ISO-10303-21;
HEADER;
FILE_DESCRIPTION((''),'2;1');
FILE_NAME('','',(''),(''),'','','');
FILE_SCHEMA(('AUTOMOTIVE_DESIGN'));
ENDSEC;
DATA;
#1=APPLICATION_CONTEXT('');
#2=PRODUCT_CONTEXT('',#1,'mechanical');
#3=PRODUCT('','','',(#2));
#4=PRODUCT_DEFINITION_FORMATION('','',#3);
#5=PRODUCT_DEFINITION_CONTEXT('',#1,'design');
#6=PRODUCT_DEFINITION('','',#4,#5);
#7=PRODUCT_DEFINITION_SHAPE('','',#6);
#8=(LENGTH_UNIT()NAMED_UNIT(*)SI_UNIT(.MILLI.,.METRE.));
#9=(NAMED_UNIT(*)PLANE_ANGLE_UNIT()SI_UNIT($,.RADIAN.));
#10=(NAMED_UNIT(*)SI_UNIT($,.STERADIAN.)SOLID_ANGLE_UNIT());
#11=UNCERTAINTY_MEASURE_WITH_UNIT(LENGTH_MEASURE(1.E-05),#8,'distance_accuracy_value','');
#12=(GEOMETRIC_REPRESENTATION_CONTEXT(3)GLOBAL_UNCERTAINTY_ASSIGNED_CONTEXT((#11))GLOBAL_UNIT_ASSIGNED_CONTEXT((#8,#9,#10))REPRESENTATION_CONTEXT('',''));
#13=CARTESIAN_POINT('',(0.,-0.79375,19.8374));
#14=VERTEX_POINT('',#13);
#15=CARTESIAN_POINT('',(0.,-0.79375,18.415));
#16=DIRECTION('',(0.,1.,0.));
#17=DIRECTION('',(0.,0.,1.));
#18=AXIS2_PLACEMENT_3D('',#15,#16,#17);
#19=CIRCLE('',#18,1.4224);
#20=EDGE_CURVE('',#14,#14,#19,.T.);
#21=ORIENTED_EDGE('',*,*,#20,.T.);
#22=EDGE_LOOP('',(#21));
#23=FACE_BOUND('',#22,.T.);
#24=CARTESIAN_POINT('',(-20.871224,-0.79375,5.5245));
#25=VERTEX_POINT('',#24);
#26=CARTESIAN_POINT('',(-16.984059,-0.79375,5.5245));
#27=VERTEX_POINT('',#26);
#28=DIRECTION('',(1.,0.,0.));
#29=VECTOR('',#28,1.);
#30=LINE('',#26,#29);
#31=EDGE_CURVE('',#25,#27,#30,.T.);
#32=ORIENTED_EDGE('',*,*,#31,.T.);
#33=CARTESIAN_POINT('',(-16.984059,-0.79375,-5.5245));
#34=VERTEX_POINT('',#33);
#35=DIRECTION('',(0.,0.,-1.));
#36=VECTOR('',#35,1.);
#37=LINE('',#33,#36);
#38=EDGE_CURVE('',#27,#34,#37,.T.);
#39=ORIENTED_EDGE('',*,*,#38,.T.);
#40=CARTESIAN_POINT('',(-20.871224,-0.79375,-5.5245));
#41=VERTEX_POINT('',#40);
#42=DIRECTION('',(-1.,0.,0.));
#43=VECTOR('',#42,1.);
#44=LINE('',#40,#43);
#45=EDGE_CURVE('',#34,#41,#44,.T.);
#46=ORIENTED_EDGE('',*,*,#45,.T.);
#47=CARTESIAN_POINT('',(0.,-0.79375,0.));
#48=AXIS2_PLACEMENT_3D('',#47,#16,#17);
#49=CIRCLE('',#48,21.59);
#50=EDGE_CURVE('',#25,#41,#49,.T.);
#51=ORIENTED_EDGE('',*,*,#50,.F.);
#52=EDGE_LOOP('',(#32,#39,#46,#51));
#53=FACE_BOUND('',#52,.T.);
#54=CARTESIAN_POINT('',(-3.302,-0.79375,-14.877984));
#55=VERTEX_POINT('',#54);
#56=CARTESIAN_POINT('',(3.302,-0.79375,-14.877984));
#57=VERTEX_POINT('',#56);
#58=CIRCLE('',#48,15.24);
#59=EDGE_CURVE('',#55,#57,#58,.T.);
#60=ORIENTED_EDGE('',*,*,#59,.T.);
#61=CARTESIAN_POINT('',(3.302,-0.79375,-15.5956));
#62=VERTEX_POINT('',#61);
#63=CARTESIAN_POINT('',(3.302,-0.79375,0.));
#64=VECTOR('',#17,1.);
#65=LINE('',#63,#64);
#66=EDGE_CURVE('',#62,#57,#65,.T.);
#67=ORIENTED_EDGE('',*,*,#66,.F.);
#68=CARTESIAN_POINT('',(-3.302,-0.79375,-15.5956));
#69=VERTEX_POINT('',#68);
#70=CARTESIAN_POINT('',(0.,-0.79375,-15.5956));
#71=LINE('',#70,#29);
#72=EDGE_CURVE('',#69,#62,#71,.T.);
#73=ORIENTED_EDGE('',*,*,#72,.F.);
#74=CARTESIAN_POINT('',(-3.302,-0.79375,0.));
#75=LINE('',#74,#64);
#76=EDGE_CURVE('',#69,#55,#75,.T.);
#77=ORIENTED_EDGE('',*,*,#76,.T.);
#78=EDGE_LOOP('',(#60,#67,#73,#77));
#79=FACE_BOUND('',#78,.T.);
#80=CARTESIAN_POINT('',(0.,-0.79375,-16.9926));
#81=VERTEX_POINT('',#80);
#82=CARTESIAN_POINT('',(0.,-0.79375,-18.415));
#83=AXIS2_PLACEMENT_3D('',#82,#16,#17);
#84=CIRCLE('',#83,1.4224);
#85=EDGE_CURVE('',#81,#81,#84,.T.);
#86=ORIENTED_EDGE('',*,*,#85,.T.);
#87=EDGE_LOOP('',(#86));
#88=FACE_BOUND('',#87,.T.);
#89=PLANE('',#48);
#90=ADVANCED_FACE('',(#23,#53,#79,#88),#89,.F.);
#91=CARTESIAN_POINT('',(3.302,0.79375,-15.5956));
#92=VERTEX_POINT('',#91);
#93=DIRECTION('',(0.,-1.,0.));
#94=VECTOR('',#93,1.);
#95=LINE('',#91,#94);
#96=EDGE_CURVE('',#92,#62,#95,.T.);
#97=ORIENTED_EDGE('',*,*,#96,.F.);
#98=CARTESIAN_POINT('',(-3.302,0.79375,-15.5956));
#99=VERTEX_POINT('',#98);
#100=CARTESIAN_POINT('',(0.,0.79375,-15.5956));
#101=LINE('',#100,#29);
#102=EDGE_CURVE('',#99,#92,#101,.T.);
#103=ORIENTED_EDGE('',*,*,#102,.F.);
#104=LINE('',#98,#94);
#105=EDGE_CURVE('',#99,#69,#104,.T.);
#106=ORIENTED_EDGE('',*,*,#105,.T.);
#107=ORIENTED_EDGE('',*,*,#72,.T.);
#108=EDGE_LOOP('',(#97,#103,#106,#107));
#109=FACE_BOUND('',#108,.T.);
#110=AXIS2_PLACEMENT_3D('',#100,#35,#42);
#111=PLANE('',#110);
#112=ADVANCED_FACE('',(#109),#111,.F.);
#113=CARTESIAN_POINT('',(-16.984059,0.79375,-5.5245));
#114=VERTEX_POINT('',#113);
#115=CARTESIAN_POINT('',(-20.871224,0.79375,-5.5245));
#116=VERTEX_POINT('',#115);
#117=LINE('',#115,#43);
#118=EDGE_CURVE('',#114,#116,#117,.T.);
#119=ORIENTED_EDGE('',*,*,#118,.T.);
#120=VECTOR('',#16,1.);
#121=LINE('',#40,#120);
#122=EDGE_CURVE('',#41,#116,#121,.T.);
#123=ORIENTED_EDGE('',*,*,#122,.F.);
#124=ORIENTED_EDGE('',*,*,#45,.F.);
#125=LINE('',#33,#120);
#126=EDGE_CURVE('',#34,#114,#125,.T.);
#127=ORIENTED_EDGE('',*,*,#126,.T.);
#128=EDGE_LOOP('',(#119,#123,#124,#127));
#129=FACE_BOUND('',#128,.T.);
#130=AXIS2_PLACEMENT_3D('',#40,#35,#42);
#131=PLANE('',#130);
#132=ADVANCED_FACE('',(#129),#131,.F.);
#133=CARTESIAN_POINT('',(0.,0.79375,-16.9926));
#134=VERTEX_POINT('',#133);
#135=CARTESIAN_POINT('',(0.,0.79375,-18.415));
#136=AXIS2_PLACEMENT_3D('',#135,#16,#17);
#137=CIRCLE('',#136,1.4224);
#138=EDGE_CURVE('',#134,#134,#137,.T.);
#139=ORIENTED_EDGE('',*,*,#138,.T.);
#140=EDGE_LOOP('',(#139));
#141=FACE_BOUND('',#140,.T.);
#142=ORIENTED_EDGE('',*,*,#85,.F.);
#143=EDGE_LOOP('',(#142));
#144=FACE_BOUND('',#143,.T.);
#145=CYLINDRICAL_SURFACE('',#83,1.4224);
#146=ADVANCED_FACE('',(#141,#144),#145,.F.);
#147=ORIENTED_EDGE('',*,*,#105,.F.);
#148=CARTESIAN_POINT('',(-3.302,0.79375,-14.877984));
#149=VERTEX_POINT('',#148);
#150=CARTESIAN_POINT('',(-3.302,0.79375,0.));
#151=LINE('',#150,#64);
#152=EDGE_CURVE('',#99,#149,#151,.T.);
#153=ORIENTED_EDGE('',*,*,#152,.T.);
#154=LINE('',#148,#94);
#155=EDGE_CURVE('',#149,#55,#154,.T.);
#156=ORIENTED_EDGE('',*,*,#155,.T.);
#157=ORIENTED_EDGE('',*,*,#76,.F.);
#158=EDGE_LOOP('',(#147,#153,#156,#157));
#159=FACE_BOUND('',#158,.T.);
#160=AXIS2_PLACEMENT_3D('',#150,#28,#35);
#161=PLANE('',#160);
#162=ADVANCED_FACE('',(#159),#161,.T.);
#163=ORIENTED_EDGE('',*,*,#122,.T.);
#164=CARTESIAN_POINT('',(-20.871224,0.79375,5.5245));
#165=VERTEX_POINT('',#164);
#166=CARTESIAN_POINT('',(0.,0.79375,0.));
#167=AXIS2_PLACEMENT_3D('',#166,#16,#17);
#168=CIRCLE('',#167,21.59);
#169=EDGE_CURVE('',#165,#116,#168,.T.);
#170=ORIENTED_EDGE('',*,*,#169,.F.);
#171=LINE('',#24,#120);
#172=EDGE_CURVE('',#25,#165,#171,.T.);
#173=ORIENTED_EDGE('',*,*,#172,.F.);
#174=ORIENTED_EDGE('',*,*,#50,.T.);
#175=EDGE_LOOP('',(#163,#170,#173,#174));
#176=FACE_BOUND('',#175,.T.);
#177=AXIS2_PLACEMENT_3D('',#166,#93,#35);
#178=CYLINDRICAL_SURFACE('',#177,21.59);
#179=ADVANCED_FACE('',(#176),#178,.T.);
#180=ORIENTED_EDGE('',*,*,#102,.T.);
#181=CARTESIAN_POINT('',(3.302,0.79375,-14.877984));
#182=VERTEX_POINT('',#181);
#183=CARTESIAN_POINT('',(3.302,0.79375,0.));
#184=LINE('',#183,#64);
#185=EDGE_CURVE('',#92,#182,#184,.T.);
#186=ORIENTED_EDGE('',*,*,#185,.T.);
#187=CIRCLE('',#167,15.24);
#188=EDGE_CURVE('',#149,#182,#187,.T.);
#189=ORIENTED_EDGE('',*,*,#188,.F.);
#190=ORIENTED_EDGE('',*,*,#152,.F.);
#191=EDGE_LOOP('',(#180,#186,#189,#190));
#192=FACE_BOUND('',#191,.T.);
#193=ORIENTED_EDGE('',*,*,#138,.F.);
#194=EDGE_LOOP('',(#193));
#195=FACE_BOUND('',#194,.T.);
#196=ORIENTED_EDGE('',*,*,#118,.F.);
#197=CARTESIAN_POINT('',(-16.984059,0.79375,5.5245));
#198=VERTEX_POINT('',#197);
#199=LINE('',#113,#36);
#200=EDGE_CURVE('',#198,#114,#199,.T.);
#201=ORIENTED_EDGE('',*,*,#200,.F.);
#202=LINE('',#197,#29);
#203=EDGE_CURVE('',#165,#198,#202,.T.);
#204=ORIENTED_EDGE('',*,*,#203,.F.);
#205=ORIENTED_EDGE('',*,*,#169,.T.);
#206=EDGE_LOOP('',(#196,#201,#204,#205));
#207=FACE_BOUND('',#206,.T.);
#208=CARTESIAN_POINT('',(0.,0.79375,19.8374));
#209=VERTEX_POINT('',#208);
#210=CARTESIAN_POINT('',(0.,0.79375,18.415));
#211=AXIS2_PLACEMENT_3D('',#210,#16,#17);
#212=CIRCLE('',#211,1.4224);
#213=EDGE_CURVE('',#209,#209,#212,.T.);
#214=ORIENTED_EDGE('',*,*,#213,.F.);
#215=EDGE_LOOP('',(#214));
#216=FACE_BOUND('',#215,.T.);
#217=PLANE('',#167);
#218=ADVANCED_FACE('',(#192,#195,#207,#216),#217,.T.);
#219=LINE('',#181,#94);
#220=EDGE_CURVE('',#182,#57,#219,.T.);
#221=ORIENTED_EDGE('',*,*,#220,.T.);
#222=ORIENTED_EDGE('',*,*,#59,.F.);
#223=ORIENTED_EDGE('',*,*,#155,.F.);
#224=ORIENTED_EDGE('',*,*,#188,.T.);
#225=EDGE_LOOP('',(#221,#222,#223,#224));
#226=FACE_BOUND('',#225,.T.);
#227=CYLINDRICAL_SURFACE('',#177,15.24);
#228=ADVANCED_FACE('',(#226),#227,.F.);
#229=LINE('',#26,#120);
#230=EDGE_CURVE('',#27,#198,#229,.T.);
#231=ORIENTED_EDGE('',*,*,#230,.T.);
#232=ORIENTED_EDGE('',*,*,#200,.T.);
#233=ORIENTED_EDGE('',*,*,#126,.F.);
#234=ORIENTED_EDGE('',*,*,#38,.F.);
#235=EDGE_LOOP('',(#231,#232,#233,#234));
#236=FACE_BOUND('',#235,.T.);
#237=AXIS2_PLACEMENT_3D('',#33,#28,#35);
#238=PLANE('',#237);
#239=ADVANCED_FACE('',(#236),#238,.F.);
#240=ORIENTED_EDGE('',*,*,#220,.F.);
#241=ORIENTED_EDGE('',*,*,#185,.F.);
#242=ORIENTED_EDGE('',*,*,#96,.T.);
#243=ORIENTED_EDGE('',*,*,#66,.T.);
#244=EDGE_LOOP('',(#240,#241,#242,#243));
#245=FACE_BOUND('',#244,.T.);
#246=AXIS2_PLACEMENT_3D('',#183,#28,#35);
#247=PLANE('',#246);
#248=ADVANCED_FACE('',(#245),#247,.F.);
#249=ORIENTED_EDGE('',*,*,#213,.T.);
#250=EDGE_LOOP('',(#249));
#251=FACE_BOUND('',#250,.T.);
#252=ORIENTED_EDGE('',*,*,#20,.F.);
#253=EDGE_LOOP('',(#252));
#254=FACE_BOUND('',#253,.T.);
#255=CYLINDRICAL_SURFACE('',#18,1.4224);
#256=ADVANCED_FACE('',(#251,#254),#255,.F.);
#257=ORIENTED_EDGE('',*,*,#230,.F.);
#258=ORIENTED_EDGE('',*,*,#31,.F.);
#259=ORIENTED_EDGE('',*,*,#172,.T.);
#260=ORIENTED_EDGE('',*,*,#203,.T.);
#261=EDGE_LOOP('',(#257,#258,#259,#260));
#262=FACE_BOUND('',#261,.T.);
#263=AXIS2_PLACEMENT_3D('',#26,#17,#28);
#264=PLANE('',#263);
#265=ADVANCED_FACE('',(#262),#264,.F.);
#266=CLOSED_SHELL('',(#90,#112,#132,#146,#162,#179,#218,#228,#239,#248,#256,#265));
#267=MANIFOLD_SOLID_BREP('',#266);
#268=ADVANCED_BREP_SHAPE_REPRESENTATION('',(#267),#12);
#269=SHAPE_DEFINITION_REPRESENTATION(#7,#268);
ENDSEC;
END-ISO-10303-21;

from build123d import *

# Parameters (mm, degrees)
SKETCH1_R           = 21.59
BOSS_EXTRUDE1_DEPTH = 0.79375
SKETCH2_R           = 1.4224
CUT_EXTRUDE1_DEPTH  = 31.574112518
CUT_EXTRUDE2_DEPTH  = 31.574112518


with BuildPart() as part:
    # Sketch1 → Boss-Extrude1 (new, symmetric)
    with BuildSketch(Plane(origin=(0, 0, 0), x_dir=(1, 0, 0), z_dir=(0, 1, 0))):
        with Locations(Location((0, 0, 0), (0, 0, 270))):
            Circle(SKETCH1_R)
        with BuildLine():
            Line((-3.302, 14.8779836), (-3.302, 15.5956))
            Line((-3.302, 15.5956), (3.302, 15.5956))
            Line((3.302, 15.5956), (3.302, 14.8779836))
            ThreePointArc((3.302, 14.8779836), (11.8865487, 9.537691545), (15.24, 0))
            ThreePointArc((15.24, 0), (-9.537691545, -11.8865487), (-3.302, 14.8779836))
        make_face(mode=Mode.SUBTRACT)
    extrude(amount=BOSS_EXTRUDE1_DEPTH, both=True)

    # Sketch2 → Cut-Extrude1 (cut, through all)
    with BuildSketch(Plane(origin=(0, 0.79375, 0), x_dir=(1, 0, 0), z_dir=(0, 1, 0))):
        with Locations(Location((0, 18.415, 0), (0, 0, 270))):
            Circle(SKETCH2_R)
        with Locations(Location((0, -18.415, 0), (0, 0, 270))):
            Circle(SKETCH2_R)
    extrude(amount=-CUT_EXTRUDE1_DEPTH, mode=Mode.SUBTRACT)

    # Sketch3 → Cut-Extrude2 (cut, through all)
    with BuildSketch(Plane(origin=(0, 0.79375, 0), x_dir=(1, 0, 0), z_dir=(0, 1, 0))):
        with BuildLine():
            Line((-20.871224203, 5.5245), (-16.984058744, 5.5245))
            Line((-16.984058744, 5.5245), (-16.984058744, -5.5245))
            Line((-16.984058744, -5.5245), (-20.871224203, -5.5245))
            ThreePointArc((-20.871224203, -5.5245), (-21.59, 0), (-20.871224203, 5.5245))
        make_face()
    extrude(amount=-CUT_EXTRUDE2_DEPTH, mode=Mode.SUBTRACT)


solid = part.part
